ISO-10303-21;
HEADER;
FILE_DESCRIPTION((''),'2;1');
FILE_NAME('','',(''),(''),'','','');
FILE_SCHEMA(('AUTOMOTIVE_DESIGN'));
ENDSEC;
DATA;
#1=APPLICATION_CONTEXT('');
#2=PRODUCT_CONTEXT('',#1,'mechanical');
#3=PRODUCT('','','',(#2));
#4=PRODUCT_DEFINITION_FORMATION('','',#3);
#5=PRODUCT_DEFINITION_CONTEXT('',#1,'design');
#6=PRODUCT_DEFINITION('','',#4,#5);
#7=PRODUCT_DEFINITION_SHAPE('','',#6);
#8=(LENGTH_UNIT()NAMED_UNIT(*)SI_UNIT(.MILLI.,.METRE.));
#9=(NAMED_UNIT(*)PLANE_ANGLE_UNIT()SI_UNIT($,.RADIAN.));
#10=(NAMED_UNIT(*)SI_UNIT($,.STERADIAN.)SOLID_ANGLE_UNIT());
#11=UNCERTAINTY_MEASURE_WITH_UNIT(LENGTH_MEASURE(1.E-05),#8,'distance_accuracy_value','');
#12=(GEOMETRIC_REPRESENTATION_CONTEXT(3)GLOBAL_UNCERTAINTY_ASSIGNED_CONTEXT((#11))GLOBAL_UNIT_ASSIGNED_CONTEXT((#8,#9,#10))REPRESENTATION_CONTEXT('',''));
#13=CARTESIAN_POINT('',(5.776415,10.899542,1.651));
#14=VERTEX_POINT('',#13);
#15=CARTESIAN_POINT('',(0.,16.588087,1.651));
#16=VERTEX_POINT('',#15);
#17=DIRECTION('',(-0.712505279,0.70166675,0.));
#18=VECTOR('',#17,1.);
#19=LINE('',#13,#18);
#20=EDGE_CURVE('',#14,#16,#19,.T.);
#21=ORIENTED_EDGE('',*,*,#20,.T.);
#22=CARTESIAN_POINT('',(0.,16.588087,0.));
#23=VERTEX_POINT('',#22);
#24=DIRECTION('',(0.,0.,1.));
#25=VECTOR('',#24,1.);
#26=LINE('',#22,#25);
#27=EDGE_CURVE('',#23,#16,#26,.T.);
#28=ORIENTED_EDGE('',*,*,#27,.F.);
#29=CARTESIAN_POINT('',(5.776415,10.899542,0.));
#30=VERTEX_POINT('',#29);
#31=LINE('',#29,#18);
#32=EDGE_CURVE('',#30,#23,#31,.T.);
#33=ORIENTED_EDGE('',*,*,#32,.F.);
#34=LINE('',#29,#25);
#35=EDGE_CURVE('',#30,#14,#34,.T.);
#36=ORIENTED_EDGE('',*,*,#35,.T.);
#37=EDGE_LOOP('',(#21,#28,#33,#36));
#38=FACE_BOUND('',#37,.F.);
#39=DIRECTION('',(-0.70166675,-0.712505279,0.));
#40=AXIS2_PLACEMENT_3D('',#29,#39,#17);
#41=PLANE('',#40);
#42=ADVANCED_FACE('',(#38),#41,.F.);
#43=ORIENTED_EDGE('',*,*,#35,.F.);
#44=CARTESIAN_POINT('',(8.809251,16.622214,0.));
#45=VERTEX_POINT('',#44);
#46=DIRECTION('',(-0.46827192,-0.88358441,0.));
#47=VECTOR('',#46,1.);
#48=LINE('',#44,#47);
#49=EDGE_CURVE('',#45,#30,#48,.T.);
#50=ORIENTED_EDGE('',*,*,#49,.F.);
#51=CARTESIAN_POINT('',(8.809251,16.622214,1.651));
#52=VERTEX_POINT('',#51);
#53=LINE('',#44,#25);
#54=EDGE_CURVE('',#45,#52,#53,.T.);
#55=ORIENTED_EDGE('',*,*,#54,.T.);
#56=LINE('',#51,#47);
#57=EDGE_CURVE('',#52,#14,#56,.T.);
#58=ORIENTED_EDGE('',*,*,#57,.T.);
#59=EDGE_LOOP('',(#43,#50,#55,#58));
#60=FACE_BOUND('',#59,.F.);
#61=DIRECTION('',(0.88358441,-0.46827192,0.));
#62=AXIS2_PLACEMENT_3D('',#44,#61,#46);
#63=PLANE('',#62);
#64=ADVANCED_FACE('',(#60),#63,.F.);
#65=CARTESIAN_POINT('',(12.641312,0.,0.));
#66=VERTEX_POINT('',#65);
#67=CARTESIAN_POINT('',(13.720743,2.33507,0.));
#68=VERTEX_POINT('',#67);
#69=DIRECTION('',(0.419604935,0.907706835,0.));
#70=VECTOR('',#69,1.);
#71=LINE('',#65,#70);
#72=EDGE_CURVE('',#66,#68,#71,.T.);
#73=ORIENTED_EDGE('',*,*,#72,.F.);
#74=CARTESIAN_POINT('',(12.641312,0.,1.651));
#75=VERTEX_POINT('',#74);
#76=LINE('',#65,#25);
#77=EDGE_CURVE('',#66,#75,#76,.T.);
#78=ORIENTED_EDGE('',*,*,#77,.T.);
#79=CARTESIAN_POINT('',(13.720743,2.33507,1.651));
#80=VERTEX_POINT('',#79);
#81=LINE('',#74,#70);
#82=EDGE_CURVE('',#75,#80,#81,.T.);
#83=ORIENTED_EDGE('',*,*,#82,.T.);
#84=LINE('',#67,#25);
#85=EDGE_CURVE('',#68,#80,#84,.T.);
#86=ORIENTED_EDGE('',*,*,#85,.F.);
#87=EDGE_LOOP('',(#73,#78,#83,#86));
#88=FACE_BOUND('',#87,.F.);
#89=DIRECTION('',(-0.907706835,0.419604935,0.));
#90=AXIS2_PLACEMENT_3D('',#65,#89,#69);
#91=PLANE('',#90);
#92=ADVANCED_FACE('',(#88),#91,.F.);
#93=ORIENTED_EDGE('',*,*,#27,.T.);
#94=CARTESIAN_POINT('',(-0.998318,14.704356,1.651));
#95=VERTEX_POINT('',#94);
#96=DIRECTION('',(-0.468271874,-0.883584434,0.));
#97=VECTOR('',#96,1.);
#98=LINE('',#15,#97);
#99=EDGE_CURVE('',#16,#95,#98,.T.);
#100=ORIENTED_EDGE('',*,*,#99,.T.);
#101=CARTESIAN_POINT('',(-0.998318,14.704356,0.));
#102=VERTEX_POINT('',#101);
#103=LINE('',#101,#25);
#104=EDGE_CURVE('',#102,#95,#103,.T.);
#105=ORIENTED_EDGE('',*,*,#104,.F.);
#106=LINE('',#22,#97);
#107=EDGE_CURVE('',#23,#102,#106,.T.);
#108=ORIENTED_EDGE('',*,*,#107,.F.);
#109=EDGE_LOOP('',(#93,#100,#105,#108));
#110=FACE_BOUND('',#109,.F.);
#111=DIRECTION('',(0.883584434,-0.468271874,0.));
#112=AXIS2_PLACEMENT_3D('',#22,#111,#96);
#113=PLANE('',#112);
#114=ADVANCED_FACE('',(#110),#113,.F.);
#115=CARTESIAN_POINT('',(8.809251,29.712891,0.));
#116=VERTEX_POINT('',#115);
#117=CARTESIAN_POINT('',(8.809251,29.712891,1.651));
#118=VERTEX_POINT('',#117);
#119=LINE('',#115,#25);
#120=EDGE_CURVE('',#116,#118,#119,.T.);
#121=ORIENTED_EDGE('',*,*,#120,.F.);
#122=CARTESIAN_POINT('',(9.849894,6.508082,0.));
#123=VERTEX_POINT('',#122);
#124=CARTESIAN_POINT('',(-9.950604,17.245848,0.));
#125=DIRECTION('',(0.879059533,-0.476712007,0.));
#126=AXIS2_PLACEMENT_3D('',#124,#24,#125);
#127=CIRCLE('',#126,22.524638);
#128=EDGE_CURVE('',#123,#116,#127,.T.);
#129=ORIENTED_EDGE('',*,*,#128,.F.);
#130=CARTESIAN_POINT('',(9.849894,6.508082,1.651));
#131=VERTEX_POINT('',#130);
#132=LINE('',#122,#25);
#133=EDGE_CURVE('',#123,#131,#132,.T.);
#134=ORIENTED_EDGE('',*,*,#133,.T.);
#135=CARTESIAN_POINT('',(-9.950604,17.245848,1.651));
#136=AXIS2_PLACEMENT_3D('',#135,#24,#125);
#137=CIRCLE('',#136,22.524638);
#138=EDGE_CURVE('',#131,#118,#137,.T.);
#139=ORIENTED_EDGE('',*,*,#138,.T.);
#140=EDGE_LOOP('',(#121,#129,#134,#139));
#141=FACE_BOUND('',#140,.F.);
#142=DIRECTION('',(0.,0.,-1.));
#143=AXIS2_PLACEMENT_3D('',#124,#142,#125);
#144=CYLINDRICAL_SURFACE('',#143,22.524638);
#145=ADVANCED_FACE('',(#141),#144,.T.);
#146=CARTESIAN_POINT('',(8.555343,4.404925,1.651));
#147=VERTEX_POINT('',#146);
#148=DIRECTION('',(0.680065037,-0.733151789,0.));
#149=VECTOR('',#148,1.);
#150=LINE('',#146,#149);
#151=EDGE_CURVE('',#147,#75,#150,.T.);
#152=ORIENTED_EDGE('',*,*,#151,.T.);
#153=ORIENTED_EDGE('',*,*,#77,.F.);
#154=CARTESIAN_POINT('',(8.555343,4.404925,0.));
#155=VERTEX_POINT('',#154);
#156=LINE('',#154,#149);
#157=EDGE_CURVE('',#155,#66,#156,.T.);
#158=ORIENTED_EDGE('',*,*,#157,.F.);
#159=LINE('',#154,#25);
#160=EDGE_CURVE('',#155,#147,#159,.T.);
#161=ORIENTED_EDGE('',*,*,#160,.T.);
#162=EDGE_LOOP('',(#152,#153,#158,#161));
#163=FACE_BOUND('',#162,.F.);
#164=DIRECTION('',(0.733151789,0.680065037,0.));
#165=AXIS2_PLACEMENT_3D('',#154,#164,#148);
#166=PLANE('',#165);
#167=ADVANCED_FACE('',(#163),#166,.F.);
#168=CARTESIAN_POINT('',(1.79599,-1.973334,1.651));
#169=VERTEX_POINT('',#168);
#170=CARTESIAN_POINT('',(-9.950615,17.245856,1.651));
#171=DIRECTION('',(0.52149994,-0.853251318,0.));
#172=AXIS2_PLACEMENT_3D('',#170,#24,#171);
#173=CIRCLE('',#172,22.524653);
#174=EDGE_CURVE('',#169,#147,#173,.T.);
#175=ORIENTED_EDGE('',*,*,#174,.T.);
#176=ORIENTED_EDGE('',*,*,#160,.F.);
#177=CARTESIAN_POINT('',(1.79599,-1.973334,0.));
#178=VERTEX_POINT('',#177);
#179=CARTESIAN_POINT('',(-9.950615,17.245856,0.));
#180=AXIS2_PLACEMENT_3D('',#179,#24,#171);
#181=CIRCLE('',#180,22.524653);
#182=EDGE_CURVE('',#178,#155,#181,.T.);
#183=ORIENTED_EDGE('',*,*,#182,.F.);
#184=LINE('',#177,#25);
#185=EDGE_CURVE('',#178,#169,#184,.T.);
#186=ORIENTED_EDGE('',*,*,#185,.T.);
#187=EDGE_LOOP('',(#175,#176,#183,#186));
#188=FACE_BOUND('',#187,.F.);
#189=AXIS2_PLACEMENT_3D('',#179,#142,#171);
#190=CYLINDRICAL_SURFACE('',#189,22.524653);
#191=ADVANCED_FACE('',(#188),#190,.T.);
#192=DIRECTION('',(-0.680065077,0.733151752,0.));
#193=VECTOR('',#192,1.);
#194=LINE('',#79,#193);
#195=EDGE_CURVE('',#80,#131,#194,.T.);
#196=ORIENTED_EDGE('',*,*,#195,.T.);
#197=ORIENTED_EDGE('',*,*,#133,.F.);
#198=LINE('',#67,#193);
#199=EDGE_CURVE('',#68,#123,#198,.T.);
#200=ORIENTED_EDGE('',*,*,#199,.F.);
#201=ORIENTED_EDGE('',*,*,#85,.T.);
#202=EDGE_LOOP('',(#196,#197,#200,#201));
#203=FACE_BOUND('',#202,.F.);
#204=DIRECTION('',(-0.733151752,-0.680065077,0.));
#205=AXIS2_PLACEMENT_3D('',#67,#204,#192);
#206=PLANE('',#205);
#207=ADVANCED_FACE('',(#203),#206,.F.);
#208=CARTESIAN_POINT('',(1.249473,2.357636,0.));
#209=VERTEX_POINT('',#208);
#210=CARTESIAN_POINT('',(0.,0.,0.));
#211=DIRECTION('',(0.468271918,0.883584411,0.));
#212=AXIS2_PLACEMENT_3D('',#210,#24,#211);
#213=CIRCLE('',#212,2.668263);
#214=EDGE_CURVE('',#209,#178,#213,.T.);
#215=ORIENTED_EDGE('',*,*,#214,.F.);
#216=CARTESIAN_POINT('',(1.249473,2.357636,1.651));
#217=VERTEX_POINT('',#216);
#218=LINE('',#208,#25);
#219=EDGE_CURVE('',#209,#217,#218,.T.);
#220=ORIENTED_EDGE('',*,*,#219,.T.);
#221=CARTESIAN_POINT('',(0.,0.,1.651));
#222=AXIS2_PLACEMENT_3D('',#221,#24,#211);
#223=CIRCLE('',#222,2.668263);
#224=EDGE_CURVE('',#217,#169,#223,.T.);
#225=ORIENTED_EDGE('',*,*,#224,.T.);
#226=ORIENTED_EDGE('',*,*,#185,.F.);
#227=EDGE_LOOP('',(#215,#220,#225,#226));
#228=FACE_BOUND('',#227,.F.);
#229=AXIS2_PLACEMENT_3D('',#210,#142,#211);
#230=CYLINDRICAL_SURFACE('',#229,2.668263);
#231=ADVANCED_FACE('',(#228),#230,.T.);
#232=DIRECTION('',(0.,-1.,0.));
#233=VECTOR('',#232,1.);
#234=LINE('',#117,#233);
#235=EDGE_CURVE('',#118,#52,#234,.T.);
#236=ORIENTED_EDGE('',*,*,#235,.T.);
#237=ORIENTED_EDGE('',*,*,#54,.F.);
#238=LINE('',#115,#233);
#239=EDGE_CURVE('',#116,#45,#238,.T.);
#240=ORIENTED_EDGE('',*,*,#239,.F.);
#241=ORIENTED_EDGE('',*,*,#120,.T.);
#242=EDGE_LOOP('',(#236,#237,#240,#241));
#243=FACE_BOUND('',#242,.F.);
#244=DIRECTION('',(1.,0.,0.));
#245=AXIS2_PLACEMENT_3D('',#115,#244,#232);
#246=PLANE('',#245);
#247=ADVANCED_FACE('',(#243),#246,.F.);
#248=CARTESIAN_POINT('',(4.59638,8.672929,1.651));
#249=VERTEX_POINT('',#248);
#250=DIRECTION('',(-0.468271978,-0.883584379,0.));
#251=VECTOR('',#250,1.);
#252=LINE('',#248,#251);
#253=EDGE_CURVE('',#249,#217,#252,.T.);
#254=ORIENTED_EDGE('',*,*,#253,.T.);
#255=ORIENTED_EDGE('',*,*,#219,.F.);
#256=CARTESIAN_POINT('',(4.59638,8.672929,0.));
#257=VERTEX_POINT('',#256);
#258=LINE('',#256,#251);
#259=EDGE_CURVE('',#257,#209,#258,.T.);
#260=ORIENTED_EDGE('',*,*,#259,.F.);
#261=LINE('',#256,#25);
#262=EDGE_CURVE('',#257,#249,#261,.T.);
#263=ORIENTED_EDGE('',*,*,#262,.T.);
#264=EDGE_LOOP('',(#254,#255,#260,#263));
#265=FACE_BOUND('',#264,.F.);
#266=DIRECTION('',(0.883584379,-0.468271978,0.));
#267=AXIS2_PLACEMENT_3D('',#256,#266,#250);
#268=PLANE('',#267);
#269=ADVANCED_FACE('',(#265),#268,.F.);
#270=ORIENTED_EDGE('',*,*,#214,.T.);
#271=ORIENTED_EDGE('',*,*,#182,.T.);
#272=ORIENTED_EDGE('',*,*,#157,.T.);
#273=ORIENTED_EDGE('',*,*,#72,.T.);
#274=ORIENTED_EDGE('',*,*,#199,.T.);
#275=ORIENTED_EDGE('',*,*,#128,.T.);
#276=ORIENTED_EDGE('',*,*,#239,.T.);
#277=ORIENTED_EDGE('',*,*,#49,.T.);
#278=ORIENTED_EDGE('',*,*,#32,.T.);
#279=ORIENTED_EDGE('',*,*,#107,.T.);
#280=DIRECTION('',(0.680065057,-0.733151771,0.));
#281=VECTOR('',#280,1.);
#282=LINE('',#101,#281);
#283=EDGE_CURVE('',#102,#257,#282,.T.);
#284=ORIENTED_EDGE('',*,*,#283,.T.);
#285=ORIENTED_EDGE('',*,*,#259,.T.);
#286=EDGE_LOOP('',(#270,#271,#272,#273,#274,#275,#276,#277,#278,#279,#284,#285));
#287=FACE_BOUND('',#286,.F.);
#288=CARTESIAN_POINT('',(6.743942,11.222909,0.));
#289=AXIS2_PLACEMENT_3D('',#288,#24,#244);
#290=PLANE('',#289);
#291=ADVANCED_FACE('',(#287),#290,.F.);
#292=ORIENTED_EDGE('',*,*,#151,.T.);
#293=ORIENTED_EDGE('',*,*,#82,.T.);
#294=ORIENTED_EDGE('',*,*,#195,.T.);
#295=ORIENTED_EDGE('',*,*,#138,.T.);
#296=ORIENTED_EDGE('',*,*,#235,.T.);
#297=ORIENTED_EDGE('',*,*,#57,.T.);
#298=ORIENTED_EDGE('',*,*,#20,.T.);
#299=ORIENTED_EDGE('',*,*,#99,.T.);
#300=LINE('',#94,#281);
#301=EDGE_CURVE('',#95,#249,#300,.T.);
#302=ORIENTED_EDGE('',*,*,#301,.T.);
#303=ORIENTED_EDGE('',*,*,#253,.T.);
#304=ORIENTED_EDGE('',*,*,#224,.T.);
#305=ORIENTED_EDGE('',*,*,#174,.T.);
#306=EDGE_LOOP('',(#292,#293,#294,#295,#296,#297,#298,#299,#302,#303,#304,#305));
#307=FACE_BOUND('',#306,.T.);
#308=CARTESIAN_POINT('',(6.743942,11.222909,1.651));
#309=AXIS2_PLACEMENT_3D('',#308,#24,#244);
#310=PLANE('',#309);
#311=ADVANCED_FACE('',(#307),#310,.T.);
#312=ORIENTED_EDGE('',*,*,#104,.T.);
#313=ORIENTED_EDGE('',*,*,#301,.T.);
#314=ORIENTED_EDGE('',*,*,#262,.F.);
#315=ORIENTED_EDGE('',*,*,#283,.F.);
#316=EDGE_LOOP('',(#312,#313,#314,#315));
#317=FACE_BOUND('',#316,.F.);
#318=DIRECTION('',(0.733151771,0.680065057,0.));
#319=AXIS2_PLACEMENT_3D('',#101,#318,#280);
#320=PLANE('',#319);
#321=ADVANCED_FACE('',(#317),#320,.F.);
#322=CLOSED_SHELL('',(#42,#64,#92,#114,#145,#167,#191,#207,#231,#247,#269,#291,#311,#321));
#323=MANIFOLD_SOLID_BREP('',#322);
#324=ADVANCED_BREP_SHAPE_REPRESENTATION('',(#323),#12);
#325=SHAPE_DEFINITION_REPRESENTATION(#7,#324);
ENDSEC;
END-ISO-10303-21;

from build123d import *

# Parameters (mm, degrees)
F1_DEPTH = 1.651


with BuildPart() as f1:
    # F0 (on Top) → F1 (new body)
    with BuildSketch(Plane.XY):
        with BuildLine():
            Line((4.59638, 8.672929), (1.249473, 2.357636))
            ThreePointArc((1.249473, 2.357636), (-2.647269, -0.334054), (1.79599, -1.973334))
            ThreePointArc((1.79599, -1.973334), (5.508199, 0.863394), (8.555343, 4.404925))
            Line((8.555343, 4.404925), (12.641312, 0))
            Line((12.641312, 0), (13.720743, 2.33507))
            Line((13.720743, 2.33507), (9.849894, 6.508082))
            ThreePointArc((9.849894, 6.508082), (12.551418, 18.254974), (8.809251, 29.712891))
            Line((8.809251, 29.712891), (8.809251, 16.622214))
            Line((8.809251, 16.622214), (5.776415, 10.899542))
            Line((5.776415, 10.899542), (0, 16.588087))
            Line((0, 16.588087), (-0.998318, 14.704356))
            Line((-0.998318, 14.704356), (4.59638, 8.672929))
        make_face()
    extrude(amount=F1_DEPTH)


solid = f1.part
